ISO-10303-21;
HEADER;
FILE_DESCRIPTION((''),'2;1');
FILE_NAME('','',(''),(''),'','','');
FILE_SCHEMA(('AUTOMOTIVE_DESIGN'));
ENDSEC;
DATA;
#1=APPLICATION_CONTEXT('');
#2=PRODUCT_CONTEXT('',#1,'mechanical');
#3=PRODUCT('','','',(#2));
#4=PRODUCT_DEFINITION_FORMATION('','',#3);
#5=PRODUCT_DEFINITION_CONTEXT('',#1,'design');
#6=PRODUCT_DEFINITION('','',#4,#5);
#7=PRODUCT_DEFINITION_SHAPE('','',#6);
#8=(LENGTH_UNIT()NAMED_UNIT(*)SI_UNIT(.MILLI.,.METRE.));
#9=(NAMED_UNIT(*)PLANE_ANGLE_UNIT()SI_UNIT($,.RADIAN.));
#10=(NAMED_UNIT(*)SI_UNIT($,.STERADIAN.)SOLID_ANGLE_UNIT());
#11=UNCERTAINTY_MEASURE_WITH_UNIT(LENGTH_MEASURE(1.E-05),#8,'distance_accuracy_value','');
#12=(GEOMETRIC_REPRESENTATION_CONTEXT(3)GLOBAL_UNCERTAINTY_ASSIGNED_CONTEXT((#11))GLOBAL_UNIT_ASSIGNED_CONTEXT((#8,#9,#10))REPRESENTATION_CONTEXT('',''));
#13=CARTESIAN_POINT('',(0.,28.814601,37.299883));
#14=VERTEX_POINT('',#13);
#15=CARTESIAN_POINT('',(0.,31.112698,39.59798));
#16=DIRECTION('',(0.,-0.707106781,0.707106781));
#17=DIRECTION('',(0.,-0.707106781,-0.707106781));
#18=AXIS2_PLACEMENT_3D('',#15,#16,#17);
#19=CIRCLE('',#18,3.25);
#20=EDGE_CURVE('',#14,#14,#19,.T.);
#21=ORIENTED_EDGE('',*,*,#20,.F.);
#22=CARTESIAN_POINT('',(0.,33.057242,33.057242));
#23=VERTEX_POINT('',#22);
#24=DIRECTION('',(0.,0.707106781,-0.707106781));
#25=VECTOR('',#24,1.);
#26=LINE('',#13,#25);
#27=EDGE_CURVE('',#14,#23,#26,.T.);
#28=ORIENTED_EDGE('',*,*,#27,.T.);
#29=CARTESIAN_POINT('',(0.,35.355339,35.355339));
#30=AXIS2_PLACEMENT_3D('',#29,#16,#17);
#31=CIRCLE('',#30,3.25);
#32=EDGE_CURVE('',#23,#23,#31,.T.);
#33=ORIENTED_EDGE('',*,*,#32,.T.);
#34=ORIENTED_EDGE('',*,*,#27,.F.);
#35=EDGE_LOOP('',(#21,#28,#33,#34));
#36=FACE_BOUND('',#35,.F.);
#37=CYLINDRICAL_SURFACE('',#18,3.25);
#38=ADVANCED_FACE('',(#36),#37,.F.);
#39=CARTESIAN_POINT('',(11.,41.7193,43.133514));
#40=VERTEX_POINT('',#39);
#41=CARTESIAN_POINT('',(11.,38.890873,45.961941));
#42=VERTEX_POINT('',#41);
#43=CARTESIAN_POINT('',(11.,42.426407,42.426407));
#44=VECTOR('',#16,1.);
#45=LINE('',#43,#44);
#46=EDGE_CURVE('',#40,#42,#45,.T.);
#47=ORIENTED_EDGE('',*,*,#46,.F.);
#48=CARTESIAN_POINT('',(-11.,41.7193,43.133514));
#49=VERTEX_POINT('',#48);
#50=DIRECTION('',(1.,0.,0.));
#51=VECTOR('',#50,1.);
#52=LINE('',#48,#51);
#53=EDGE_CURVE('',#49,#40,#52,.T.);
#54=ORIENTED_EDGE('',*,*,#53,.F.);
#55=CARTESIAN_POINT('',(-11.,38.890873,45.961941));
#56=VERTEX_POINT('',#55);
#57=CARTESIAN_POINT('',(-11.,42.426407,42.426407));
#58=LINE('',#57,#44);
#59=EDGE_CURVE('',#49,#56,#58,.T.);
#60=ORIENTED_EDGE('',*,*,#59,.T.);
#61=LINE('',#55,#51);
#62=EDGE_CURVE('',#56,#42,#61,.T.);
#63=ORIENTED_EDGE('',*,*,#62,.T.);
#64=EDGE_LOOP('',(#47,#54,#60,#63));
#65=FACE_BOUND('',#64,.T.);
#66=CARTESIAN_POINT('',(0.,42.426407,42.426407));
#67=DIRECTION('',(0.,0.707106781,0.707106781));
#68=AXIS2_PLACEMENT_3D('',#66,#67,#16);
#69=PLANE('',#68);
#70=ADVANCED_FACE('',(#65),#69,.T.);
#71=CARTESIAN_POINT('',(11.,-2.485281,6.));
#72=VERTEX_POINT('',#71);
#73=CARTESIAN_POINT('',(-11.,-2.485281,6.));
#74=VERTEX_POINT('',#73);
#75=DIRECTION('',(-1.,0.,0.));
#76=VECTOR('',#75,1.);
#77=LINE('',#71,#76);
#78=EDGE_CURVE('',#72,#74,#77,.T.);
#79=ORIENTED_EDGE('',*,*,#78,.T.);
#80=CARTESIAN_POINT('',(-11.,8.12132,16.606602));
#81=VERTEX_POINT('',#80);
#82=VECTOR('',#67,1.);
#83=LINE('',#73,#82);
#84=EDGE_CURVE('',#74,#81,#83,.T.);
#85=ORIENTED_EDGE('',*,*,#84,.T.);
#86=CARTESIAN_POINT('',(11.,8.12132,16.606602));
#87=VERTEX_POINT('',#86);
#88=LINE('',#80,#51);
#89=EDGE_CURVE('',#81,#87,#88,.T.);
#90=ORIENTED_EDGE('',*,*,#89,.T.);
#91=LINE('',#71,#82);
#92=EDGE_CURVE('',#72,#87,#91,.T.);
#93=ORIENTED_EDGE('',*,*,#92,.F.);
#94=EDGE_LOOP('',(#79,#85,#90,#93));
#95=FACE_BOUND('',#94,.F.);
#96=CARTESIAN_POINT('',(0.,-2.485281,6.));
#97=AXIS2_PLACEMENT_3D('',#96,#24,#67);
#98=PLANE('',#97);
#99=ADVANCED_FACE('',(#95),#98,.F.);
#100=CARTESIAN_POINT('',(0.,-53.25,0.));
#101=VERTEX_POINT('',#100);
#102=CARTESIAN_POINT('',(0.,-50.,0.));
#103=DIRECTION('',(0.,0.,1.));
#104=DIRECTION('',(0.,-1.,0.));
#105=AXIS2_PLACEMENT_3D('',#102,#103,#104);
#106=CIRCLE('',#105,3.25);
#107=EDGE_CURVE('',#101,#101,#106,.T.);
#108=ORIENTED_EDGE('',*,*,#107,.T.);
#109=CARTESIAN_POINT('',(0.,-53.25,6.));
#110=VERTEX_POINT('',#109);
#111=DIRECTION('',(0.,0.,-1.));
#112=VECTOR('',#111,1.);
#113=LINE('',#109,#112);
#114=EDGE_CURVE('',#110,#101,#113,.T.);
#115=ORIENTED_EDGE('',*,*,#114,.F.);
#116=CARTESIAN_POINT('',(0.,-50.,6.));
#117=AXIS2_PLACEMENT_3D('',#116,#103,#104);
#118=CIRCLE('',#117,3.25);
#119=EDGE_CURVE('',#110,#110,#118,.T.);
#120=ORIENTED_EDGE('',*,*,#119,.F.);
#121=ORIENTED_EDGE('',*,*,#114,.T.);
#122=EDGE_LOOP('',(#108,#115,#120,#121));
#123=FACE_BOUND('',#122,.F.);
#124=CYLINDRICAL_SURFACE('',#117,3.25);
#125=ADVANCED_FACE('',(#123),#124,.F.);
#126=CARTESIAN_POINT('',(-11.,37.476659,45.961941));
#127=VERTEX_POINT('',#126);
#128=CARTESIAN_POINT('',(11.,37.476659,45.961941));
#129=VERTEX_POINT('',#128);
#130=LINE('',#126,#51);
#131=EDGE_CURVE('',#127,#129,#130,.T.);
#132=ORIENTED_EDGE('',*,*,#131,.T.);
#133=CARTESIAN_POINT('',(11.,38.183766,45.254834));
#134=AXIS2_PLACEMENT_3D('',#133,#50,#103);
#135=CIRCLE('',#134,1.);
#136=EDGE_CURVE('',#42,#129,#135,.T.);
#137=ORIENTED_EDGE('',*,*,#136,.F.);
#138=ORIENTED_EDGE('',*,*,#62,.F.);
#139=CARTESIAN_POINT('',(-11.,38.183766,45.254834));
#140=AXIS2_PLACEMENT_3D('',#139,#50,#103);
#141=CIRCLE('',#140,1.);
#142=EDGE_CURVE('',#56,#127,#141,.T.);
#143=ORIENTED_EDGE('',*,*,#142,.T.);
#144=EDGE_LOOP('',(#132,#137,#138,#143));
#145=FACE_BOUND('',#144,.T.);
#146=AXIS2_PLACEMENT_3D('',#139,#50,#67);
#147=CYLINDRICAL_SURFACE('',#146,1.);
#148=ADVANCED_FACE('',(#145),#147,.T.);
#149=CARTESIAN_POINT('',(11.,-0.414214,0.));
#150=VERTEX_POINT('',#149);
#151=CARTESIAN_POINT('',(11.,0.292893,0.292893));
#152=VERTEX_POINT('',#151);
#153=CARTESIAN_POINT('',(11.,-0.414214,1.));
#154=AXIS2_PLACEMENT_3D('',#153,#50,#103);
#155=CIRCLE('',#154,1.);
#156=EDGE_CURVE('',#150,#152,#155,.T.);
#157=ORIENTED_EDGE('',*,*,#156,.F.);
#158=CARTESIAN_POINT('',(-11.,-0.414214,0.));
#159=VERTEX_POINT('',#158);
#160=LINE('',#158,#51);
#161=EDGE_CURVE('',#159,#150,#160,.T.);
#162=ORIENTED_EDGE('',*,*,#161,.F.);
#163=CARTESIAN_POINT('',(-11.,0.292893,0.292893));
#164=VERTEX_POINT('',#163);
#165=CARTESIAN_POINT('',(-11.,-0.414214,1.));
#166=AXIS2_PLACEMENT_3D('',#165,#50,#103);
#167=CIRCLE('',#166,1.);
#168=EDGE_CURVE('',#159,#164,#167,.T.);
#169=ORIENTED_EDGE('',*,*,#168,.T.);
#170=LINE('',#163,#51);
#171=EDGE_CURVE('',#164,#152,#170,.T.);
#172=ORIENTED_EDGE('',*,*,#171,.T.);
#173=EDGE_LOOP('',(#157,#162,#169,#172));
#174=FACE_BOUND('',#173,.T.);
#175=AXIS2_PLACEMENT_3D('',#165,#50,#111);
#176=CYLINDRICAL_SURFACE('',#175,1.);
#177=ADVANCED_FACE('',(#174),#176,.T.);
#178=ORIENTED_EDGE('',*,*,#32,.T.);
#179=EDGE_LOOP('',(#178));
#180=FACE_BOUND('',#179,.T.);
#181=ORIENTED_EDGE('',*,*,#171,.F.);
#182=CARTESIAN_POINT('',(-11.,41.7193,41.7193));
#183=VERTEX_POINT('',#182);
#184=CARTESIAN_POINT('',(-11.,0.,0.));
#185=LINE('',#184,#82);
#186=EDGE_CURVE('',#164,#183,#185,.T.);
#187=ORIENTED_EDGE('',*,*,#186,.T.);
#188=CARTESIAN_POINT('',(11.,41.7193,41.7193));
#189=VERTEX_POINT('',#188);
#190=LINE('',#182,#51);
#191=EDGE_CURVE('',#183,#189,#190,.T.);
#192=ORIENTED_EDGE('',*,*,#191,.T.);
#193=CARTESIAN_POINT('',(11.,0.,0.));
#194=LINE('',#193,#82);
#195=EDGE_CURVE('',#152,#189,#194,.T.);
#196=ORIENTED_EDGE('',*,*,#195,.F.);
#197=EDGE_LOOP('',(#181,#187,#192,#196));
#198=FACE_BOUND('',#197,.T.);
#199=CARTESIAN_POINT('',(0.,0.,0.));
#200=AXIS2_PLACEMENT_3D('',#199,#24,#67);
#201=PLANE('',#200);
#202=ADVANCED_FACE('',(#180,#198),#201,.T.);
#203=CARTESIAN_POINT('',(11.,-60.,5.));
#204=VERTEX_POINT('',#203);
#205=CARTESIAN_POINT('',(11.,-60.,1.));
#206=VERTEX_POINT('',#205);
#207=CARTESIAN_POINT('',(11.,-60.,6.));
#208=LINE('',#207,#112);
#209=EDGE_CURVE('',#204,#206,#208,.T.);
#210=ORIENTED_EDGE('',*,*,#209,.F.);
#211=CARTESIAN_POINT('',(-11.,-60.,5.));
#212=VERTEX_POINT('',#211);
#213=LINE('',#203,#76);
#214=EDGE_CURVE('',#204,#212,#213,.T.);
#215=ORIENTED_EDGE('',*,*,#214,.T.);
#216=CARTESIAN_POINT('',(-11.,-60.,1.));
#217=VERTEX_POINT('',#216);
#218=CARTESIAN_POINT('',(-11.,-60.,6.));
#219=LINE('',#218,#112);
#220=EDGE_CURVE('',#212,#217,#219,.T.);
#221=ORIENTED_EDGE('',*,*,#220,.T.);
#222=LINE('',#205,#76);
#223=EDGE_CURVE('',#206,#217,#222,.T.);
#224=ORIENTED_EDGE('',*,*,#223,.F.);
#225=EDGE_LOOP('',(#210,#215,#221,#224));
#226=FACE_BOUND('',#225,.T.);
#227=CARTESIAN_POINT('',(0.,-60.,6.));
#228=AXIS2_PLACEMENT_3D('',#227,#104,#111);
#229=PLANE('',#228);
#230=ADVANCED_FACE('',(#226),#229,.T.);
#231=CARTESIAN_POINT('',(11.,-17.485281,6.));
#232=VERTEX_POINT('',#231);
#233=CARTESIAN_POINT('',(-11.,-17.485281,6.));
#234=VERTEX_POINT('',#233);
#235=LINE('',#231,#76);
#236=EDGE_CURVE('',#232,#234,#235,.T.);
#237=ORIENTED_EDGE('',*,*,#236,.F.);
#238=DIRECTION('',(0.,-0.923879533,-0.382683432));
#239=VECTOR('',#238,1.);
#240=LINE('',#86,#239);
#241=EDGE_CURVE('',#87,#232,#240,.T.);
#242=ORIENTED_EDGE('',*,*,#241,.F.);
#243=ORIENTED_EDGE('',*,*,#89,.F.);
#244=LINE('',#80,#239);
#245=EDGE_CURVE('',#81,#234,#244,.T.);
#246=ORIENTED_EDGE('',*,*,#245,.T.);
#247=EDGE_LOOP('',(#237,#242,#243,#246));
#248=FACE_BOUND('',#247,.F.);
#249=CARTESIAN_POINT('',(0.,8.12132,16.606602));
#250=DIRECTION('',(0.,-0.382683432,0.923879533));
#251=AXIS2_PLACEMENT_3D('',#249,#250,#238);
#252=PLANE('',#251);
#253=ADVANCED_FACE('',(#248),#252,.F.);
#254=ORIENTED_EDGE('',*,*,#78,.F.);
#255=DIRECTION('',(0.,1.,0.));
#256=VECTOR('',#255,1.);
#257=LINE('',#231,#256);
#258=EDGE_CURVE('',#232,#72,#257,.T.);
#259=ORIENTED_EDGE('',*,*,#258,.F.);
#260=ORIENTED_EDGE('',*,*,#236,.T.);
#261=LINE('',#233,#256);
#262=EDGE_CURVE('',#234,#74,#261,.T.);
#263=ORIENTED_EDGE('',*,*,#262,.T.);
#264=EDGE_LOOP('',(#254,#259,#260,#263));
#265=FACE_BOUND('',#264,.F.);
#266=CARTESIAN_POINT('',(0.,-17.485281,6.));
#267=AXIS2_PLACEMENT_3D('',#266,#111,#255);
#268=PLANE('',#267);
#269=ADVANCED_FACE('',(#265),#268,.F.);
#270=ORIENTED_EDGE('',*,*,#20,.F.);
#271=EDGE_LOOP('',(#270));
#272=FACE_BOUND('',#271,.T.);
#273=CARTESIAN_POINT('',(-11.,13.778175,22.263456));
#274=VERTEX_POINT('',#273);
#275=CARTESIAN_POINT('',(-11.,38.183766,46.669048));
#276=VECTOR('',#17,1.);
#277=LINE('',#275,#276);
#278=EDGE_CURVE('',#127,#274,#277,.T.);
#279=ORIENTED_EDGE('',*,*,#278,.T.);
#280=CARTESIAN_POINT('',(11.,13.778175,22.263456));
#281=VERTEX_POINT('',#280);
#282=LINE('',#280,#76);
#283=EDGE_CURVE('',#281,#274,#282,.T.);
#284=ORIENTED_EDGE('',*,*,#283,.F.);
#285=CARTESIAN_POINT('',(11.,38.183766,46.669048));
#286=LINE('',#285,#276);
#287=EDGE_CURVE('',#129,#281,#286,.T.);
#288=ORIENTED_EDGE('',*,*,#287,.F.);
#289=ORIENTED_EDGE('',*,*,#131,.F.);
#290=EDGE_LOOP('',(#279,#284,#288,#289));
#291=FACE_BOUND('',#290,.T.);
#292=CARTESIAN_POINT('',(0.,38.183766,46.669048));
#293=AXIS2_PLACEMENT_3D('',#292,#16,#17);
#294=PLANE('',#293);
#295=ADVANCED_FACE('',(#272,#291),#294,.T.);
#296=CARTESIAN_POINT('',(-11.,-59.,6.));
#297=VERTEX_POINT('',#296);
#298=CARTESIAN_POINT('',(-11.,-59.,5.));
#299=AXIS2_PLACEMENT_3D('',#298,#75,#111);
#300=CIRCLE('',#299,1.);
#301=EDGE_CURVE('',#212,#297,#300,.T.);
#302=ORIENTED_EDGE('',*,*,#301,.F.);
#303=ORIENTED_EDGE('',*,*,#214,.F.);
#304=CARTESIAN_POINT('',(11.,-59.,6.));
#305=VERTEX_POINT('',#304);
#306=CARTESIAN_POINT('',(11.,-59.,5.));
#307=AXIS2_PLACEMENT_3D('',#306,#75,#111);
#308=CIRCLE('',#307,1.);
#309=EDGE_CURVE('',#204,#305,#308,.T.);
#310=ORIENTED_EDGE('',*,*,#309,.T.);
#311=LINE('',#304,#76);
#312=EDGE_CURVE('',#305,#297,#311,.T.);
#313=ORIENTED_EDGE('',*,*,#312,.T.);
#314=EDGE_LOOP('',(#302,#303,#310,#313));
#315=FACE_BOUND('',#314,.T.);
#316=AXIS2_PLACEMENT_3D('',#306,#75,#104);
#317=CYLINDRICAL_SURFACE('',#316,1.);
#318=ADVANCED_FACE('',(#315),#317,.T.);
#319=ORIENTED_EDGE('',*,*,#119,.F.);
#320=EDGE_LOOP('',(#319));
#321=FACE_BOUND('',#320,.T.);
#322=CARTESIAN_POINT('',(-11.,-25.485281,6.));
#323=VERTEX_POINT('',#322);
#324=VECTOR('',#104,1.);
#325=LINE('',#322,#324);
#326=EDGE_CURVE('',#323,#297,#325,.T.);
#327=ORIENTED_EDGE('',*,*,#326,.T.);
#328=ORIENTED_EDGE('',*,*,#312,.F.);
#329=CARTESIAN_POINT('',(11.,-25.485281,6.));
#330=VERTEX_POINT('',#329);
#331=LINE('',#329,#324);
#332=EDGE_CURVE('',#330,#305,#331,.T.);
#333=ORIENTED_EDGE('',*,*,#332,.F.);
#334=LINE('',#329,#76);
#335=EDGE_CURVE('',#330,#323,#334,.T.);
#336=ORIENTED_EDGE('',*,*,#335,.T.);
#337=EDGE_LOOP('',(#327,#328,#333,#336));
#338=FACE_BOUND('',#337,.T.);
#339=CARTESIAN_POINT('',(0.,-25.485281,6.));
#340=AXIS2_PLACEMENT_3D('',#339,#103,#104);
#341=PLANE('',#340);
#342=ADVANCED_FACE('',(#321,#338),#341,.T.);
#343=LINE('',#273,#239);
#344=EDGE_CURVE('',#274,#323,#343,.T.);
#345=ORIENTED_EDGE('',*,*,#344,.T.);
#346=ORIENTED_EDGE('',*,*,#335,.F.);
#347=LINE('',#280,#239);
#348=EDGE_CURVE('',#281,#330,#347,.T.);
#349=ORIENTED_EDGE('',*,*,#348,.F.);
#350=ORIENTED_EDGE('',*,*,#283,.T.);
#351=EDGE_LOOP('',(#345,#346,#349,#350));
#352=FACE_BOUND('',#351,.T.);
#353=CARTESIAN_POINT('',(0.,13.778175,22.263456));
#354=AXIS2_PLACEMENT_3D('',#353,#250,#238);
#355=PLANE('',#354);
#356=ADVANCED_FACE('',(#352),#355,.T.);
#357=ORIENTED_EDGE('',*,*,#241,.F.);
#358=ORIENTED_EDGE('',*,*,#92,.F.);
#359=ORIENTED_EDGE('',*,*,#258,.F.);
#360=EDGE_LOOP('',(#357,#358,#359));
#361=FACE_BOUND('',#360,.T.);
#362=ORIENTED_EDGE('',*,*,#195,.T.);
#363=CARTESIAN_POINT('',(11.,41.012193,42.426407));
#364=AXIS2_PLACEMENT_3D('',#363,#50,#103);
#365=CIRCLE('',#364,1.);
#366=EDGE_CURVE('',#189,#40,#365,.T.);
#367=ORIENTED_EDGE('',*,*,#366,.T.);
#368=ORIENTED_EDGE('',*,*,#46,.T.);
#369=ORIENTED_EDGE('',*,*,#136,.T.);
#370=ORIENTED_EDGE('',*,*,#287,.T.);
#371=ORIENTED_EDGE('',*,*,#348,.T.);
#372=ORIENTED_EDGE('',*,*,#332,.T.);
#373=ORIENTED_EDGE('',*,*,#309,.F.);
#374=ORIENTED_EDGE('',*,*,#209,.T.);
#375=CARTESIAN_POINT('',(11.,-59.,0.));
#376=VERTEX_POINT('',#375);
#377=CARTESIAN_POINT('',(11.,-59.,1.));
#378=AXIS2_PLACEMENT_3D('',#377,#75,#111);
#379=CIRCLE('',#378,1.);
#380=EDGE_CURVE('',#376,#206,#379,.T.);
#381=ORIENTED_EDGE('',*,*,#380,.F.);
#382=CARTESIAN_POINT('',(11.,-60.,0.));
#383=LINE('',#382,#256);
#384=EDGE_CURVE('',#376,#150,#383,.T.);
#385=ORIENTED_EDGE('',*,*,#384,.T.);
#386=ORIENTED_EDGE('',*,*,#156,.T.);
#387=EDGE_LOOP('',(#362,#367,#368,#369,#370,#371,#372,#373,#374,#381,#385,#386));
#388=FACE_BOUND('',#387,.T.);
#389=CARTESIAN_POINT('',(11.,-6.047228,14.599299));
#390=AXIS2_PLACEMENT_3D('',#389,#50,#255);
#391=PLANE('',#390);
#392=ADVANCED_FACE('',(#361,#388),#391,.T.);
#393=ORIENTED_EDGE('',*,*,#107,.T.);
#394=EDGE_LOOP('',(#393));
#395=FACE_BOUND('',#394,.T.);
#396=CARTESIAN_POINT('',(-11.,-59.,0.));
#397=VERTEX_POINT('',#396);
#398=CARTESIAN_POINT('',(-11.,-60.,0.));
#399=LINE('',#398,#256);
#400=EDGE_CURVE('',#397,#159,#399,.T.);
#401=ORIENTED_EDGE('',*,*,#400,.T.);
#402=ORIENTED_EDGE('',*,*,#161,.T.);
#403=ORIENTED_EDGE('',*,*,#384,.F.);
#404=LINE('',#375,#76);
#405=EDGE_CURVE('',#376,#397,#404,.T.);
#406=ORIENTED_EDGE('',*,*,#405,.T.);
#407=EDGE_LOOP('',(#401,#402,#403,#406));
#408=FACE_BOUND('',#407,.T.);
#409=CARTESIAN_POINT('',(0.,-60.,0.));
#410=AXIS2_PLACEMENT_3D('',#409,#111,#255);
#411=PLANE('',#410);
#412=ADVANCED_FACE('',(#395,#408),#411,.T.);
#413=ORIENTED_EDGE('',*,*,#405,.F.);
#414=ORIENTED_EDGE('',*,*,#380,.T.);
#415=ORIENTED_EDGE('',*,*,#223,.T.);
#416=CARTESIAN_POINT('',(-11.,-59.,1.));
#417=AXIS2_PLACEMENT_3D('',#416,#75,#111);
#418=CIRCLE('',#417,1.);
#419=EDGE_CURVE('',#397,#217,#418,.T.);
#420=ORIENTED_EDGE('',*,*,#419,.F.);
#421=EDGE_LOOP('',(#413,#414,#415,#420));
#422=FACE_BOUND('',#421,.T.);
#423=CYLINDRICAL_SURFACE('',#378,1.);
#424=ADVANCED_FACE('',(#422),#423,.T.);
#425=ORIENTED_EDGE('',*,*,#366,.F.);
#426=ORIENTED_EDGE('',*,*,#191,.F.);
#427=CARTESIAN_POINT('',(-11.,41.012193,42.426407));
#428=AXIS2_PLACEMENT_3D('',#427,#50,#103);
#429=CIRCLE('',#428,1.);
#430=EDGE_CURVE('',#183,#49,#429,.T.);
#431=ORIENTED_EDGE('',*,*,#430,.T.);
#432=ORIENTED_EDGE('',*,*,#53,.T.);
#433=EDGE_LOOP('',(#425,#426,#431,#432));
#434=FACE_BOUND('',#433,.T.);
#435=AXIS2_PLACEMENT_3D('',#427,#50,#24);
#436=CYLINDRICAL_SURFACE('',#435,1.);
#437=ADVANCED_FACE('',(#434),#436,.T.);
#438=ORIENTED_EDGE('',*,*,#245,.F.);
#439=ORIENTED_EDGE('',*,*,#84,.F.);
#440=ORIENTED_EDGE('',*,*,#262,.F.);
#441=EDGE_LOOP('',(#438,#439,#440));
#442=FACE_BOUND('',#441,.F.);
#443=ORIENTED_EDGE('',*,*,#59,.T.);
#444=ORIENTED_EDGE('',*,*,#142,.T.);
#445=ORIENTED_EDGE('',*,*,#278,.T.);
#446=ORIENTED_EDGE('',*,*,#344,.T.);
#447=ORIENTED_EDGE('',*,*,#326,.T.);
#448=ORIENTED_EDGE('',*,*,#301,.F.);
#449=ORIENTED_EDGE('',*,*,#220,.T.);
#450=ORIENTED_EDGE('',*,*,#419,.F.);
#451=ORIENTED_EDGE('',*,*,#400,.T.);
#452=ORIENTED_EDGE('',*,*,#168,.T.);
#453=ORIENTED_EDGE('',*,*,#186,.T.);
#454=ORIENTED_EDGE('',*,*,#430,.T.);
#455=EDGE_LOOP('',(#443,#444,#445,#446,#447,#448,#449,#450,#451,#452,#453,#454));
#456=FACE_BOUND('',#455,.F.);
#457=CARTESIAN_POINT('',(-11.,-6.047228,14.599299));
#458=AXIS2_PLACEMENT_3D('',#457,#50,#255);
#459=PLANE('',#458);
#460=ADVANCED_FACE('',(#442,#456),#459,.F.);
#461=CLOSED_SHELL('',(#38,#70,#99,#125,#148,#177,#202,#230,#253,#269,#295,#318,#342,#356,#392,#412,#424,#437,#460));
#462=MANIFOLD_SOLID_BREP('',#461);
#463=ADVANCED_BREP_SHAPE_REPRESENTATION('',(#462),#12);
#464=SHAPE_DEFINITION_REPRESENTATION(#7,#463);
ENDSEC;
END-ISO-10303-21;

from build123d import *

# Parameters (mm, degrees)
PAD_DEPTH       = 11
SKETCH001_R     = 3.25
POCKET_DEPTH    = 6
SKETCH002_R     = 3.25
POCKET001_DEPTH = 6
FILLET_R        = 1


with BuildPart() as part:
    # Sketch → Pad (new body, symmetric)
    with BuildSketch(Plane.YZ):
        Polygon((-60, 0), (0, 0), (42.4264068712, 42.4264068712), (38.1837661841, 46.6690475583), (13.7781745931, 22.2634559673), (-25.4852813742, 6), (-60, 6), align=None)
        Polygon((8.1213203436, 16.6066017178), (-17.4852813742, 6), (-2.4852813742, 6), align=None, mode=Mode.SUBTRACT)
    extrude(amount=PAD_DEPTH, both=True)

    # Sketch001 (on Face6 of Pad) → Pocket (cut)
    with BuildSketch(Plane(origin=(0, 0, 6), x_dir=(0, -1, 0), z_dir=(0, 0, 1))):
        with Locations((50, 0)):
            Circle(SKETCH001_R)
    extrude(amount=-POCKET_DEPTH, mode=Mode.SUBTRACT)

    # Sketch002 (on Face9 of Pocket) → Pocket001 (cut)
    with BuildSketch(Plane(origin=(0, -4.2426406871, 4.2426406871), x_dir=(0, -0.7071067812, -0.7071067812), z_dir=(0, -0.7071067812, 0.7071067812))):
        with Locations((-50, 0)):
            Circle(SKETCH002_R)
    extrude(amount=-POCKET001_DEPTH, mode=Mode.SUBTRACT)

    # Fillet
    fillet_edges = [part.edges().sort_by_distance(p)[0] for p in [
        (0, 0, 0),
        (0, -60, 0),
        (0, -60, 6),
        (0, 38.183766, 46.669048),
        (0, 42.426407, 42.426407),
    ]]
    fillet(fillet_edges, radius=FILLET_R)


solid = part.part
